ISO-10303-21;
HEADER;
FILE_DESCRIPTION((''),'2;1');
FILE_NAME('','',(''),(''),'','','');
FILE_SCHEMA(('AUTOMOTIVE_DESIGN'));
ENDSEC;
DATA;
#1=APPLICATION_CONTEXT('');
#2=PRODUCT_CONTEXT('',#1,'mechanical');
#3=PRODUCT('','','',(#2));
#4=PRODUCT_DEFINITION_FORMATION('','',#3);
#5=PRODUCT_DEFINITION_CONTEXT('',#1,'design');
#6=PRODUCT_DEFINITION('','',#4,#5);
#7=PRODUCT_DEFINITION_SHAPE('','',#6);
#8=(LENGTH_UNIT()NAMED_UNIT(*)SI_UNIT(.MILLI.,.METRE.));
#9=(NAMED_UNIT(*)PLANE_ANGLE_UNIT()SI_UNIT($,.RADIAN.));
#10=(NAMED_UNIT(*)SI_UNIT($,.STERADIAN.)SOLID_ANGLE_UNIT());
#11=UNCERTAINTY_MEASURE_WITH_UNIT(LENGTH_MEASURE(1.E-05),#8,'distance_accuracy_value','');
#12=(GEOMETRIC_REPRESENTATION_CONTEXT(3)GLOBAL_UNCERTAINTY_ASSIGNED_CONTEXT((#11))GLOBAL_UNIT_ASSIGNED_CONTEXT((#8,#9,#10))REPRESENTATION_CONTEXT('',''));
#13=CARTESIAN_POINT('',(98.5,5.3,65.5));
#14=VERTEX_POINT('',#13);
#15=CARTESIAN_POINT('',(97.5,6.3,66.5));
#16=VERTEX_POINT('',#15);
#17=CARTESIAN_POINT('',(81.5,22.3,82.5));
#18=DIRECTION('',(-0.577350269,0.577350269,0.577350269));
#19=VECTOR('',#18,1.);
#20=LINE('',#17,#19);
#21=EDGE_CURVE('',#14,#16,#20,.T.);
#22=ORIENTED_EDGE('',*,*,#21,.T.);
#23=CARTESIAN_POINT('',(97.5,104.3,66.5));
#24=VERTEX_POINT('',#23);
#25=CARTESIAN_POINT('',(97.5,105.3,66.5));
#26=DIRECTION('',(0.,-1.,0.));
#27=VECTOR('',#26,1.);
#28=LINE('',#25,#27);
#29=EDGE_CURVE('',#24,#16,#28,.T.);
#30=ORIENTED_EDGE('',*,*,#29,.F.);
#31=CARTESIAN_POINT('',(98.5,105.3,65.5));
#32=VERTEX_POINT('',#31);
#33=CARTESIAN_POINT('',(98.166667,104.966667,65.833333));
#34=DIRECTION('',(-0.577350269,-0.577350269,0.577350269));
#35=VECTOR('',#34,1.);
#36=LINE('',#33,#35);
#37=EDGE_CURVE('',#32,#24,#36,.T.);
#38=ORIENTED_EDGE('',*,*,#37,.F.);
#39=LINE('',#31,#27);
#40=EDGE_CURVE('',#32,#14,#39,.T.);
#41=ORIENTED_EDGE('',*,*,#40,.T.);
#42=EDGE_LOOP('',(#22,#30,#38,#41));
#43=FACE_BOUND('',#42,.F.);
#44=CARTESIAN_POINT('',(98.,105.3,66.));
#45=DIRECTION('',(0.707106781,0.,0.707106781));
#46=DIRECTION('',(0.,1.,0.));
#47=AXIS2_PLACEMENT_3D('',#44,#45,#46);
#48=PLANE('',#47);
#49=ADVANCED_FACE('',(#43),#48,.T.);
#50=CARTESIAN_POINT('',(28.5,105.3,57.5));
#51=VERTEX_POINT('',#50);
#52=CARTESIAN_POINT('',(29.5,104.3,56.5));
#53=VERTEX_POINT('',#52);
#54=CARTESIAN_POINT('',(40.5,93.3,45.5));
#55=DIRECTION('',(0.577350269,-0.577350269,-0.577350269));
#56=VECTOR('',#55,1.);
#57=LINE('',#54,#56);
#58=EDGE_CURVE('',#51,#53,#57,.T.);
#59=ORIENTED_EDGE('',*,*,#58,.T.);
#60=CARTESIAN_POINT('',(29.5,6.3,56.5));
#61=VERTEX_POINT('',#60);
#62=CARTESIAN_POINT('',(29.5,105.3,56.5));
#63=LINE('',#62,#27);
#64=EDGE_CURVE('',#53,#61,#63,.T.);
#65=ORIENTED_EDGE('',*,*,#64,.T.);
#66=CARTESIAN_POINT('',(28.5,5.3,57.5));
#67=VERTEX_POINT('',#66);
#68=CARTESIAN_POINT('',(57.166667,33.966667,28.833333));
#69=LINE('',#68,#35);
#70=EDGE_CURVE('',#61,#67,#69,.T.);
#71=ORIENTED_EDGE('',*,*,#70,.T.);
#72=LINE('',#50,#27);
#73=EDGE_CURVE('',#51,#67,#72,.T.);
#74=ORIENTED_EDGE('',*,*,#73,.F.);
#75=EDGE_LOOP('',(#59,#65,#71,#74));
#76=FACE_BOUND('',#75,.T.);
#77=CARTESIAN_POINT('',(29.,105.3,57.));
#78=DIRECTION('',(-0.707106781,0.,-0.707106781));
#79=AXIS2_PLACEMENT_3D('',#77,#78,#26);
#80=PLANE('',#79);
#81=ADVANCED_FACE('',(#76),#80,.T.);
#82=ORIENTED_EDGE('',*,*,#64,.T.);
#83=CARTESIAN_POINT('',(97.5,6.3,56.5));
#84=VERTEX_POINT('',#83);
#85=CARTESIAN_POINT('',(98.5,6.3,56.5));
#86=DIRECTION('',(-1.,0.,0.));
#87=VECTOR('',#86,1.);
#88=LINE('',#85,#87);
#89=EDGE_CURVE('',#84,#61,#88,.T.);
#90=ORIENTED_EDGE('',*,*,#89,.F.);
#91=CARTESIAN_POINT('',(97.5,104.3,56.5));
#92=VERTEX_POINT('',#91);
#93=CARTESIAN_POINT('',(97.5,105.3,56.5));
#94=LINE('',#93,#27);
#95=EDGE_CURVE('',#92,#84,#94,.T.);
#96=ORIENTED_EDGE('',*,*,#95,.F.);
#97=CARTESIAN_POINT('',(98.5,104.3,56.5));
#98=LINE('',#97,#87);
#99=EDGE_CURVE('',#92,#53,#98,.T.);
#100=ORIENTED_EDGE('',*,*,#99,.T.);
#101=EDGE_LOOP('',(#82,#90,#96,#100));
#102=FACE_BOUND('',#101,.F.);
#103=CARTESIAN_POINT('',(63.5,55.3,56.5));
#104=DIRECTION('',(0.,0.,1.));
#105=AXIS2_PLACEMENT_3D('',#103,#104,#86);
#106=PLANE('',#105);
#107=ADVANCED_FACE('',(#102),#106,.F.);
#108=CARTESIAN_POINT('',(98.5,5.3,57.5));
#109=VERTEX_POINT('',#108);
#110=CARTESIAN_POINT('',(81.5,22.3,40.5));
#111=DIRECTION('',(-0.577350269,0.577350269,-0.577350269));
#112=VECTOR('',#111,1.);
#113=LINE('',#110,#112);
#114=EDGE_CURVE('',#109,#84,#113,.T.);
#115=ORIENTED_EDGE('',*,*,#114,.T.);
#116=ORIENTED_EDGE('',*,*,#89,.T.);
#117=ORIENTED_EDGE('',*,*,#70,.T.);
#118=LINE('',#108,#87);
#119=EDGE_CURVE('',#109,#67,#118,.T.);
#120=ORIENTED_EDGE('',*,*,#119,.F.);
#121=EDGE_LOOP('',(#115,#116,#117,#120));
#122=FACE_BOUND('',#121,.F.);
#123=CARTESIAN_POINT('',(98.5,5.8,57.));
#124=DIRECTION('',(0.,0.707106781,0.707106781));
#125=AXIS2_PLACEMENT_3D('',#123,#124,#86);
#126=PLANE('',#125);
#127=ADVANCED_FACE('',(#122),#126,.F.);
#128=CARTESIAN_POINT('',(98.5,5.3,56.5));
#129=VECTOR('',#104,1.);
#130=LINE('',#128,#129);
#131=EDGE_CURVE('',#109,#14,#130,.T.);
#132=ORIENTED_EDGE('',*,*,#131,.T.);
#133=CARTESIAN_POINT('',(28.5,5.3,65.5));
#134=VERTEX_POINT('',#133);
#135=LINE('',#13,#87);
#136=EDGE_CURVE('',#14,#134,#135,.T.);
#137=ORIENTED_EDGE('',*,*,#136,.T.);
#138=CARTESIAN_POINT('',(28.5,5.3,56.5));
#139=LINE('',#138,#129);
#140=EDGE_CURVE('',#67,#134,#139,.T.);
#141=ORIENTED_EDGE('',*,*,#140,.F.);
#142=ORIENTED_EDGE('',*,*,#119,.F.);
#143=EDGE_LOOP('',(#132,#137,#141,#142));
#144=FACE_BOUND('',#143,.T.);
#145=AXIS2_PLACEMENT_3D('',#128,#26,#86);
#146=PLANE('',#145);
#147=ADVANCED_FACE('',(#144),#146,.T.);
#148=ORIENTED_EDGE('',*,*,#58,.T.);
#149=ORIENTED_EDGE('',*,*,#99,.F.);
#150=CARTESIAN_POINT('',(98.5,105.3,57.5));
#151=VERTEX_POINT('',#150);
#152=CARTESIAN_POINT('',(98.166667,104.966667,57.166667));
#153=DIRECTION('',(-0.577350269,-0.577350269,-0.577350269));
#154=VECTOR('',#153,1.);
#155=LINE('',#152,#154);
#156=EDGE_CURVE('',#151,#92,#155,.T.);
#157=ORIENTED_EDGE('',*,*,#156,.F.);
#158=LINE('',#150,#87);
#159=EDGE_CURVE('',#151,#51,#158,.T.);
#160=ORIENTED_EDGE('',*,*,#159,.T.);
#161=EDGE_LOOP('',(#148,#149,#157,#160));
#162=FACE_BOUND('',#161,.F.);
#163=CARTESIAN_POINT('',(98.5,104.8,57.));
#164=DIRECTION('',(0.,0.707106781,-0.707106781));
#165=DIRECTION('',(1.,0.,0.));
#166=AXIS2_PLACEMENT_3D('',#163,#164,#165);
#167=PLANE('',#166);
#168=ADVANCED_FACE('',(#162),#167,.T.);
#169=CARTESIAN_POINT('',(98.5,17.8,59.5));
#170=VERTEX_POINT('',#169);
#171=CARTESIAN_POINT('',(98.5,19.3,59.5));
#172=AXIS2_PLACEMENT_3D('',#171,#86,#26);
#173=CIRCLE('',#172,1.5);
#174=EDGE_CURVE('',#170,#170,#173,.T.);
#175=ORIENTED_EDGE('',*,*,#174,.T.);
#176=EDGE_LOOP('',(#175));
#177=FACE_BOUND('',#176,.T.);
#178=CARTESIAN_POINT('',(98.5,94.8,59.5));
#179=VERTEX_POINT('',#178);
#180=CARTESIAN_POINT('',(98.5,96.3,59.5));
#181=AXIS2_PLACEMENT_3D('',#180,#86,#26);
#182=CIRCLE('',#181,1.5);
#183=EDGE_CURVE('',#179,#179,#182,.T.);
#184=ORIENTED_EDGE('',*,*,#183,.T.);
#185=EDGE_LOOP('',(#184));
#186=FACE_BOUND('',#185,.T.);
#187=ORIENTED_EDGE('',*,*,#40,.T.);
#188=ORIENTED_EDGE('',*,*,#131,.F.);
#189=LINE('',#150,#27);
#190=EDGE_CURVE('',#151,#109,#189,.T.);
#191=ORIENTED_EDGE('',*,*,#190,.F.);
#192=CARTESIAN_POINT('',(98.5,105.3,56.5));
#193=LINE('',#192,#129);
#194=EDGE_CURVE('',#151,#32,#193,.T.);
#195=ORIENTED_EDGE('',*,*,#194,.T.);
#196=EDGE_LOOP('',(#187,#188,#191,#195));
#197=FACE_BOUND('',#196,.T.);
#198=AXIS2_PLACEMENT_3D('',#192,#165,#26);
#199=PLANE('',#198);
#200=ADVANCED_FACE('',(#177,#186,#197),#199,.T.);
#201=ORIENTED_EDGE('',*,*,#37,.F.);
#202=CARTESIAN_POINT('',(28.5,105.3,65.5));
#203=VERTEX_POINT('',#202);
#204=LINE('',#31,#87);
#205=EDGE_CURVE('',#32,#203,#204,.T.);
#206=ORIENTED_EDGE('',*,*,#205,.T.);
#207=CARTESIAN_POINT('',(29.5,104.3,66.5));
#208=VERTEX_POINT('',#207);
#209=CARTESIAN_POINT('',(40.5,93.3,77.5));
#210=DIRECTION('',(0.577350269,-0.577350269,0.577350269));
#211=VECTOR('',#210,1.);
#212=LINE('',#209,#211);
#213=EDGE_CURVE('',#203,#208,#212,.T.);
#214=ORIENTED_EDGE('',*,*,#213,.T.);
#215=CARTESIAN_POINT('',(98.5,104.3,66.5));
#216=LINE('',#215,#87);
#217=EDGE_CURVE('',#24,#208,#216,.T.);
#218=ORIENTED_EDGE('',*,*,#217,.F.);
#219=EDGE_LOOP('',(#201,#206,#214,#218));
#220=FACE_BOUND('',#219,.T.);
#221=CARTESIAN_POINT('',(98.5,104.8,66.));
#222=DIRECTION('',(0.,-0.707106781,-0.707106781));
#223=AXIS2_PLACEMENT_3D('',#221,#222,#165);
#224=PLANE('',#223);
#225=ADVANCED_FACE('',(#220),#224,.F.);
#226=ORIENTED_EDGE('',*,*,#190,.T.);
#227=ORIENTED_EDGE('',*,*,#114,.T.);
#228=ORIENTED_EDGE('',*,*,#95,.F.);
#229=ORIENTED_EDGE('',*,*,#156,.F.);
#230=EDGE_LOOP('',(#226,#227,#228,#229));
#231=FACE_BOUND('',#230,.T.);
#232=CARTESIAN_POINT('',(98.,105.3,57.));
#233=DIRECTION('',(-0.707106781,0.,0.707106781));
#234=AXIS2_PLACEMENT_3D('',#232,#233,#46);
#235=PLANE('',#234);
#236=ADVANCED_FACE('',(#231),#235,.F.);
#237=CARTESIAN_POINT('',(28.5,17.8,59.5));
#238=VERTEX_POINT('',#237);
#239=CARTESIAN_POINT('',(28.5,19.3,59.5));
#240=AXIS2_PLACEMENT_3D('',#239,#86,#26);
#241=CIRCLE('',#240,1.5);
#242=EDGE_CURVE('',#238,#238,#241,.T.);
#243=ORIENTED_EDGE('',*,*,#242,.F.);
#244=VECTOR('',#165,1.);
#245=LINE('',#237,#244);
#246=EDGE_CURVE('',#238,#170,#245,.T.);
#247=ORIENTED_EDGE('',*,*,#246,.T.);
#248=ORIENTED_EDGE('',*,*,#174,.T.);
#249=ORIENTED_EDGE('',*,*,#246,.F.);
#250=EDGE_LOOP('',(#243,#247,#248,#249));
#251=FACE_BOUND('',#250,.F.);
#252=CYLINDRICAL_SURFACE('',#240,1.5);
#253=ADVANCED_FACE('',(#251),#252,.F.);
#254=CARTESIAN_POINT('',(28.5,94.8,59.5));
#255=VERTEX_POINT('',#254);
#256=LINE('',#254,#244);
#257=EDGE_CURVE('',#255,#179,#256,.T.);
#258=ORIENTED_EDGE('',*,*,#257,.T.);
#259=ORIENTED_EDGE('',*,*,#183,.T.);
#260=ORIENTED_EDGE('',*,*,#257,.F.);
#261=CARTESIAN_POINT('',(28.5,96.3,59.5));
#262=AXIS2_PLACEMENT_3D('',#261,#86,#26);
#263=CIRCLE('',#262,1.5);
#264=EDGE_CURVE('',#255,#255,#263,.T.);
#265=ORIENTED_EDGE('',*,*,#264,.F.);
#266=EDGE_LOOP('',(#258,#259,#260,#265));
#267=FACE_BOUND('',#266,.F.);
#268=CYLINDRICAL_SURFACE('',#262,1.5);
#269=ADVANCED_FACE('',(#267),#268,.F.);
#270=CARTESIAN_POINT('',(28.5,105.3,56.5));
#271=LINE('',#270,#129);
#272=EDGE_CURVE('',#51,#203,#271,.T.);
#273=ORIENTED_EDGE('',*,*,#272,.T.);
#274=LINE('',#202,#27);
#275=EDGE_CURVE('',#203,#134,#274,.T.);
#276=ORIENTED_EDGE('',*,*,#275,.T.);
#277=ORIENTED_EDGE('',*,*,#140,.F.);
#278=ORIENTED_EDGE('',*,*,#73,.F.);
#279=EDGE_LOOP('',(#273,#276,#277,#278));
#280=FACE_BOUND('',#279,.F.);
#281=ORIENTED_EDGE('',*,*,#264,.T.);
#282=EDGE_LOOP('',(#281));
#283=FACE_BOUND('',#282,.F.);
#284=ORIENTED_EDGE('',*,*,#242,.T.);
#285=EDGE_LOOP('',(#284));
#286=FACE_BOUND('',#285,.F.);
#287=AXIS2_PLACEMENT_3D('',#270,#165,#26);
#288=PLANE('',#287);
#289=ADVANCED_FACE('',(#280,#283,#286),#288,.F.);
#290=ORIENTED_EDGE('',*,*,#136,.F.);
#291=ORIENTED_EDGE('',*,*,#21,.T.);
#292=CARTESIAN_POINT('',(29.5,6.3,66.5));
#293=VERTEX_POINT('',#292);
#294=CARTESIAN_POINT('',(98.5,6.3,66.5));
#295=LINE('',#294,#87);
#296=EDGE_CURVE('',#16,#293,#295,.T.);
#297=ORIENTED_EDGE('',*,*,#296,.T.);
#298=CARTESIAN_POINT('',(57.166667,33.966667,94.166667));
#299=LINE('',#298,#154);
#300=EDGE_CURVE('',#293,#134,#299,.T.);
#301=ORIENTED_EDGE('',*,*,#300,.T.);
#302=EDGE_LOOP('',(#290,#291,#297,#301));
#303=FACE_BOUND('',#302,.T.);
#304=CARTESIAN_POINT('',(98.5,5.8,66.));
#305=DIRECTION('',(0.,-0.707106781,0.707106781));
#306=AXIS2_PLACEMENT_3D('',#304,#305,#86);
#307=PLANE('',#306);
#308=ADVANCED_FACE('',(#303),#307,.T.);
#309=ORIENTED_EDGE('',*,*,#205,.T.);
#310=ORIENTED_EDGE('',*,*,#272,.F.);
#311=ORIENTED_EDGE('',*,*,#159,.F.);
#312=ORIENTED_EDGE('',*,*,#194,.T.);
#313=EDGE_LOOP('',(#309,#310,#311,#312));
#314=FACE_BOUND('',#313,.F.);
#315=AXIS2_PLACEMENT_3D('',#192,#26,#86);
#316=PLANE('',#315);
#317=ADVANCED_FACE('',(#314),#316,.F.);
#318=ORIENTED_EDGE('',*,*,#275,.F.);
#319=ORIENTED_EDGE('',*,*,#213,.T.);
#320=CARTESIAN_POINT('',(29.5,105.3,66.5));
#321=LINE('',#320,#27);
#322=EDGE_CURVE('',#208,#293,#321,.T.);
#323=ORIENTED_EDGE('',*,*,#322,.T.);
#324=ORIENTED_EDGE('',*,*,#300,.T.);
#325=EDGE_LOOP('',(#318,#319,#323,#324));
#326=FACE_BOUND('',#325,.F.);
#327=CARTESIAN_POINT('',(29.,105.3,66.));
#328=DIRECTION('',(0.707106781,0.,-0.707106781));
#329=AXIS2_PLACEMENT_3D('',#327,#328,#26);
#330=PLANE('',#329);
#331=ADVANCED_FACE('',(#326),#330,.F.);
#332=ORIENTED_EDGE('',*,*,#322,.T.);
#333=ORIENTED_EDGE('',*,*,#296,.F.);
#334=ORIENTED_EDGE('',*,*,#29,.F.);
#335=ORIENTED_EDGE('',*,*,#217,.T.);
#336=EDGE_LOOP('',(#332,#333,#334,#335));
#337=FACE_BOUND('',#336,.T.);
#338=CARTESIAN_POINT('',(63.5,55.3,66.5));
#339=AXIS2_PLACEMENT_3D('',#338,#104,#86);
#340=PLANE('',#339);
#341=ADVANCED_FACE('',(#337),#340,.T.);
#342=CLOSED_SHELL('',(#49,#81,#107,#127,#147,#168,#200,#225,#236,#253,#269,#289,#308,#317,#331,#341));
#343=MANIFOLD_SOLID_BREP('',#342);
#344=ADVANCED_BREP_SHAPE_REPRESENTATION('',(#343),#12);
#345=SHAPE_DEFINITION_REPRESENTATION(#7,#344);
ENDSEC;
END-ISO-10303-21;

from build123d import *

# Parameters (mm, degrees)
SKETCH070_W             = 70
SKETCH070_H             = 100
PAD024_DEPTH            = 10
SKETCH071_R             = 1.5
POCKET046_DEPTH         = 70.001
CHAMFER006_SIZE         = 1
BODY020_PLACEMENT_ANGLE = 180


with BuildPart() as part:
    # Sketch070 → Pad024 (new body)
    with BuildSketch(Plane.XY):
        Rectangle(SKETCH070_W, SKETCH070_H)
    extrude(amount=PAD024_DEPTH)

    # Sketch071 (on Face3 of Pad024) → Pocket046 (cut, through all)
    with BuildSketch(Plane.YZ.offset(35)):
        with Locations((36, 3)):
            Circle(SKETCH071_R)
        with Locations((-41, 3)):
            Circle(SKETCH071_R)
    extrude(amount=-POCKET046_DEPTH, mode=Mode.SUBTRACT)

    # Chamfer006
    chamfer006_edges = [part.edges().sort_by_distance(p)[0] for p in [
        (-35, 0, 0),
        (0, -50, 0),
        (35, 0, 0),
        (0, 50, 0),
        (-35, 0, 10),
        (0, -50, 10),
        (35, 0, 10),
        (0, 50, 10),
    ]]
    chamfer(chamfer006_edges, length=CHAMFER006_SIZE)


with BuildPart() as part_1:
    # Body020 placement: moved
    add(part.part.moved(Location((63.5, 55.3, 56.5))).rotate(Axis((63.5, 55.3, 56.5), (0, 0, 1)), BODY020_PLACEMENT_ANGLE))


solid = part_1.part
